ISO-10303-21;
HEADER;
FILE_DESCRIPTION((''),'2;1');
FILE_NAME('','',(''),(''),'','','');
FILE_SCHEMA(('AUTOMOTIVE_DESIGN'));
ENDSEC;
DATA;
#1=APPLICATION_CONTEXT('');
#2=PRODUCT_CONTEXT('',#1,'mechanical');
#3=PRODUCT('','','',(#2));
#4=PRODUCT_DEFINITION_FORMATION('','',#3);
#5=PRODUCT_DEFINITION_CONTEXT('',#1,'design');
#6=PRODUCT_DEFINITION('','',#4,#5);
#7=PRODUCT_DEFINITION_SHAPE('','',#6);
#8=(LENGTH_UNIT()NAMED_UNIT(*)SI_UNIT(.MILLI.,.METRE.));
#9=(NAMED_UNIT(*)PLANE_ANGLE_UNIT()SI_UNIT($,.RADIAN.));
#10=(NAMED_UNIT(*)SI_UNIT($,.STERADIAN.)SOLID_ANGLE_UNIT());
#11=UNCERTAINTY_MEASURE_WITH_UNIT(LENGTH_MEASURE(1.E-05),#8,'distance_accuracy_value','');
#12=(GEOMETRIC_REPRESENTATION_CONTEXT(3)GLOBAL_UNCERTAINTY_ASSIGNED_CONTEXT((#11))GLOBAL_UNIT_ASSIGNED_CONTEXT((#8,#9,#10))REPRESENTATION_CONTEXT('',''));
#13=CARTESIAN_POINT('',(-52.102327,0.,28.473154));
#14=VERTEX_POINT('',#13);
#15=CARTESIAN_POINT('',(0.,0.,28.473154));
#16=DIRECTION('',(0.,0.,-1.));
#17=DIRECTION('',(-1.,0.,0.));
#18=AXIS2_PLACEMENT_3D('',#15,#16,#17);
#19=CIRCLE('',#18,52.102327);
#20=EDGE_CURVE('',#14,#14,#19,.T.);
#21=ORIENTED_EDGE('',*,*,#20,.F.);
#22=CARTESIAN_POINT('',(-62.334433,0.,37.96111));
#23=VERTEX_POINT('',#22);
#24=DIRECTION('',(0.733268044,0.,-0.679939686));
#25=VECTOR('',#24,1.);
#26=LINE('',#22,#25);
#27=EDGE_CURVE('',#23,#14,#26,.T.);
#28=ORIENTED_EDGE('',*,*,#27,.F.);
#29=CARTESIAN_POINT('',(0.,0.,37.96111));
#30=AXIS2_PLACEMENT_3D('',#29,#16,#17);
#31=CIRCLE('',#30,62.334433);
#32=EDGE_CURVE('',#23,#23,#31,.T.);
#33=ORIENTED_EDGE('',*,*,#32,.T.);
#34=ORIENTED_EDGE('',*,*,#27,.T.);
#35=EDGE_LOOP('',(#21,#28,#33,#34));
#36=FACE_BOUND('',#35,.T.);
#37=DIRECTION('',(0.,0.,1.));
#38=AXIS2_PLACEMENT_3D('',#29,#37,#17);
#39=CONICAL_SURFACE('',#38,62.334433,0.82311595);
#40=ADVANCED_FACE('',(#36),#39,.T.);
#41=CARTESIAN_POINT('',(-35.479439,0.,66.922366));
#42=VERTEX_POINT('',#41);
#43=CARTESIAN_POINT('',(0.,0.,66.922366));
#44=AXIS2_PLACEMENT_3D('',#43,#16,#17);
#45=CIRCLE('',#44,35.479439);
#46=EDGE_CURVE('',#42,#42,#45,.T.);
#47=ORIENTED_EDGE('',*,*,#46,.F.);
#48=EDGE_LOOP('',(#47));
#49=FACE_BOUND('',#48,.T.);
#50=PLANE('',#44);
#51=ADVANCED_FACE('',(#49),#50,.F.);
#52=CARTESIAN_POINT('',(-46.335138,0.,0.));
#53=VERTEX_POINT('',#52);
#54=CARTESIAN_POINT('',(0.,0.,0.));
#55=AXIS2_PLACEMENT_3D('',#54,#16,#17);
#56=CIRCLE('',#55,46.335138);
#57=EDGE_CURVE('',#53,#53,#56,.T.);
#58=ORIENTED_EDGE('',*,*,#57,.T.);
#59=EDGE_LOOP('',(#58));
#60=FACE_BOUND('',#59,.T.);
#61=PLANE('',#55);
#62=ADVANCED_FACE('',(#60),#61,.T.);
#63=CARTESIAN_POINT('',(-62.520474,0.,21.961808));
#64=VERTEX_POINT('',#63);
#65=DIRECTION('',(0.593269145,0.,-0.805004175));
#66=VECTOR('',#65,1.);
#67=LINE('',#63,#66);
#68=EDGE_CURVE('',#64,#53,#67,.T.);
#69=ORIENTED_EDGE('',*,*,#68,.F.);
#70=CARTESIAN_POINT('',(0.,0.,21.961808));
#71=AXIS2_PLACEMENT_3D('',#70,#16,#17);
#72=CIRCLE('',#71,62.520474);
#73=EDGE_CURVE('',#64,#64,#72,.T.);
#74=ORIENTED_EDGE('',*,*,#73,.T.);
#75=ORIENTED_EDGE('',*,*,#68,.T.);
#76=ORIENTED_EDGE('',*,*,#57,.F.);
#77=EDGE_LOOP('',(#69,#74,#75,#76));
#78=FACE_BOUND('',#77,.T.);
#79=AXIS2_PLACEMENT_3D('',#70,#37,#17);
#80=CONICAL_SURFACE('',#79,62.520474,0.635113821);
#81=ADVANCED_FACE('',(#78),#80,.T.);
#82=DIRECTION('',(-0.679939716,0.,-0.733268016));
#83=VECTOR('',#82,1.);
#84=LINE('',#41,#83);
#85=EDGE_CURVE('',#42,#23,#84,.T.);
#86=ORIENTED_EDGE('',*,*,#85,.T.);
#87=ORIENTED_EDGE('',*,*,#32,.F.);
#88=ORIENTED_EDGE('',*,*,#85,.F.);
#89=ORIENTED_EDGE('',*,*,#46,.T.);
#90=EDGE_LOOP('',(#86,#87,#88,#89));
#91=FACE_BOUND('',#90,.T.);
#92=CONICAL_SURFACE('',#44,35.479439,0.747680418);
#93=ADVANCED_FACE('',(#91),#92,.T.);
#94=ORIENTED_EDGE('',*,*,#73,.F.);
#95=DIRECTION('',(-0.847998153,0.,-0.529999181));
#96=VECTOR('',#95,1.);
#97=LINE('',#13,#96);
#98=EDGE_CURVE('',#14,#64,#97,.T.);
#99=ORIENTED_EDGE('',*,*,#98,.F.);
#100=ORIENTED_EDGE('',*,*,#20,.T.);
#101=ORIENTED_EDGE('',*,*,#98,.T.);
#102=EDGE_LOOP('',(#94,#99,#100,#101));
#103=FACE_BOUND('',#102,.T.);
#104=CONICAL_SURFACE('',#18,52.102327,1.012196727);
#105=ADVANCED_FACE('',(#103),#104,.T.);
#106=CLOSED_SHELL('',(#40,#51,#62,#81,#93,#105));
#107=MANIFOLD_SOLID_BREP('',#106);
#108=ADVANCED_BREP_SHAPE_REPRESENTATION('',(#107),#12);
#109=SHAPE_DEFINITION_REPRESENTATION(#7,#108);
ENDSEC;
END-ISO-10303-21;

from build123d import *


with BuildPart() as f1:
    # F0 (on Front) → F1 (revolve)
    with BuildSketch(Plane.XZ):
        Polygon((-62.520474, 21.961808), (-46.335138, 0), (0, 0), (0, 28.473154), (-52.102327, 28.473154), align=None)
        Polygon((-52.102327, 28.473154), (0, 28.473154), (0, 66.922366), (-35.479439, 66.922366), (-62.334433, 37.96111), align=None)
    revolve(axis=Axis((0, 0, 33.461183), (0, 0, -1)))


solid = f1.part
